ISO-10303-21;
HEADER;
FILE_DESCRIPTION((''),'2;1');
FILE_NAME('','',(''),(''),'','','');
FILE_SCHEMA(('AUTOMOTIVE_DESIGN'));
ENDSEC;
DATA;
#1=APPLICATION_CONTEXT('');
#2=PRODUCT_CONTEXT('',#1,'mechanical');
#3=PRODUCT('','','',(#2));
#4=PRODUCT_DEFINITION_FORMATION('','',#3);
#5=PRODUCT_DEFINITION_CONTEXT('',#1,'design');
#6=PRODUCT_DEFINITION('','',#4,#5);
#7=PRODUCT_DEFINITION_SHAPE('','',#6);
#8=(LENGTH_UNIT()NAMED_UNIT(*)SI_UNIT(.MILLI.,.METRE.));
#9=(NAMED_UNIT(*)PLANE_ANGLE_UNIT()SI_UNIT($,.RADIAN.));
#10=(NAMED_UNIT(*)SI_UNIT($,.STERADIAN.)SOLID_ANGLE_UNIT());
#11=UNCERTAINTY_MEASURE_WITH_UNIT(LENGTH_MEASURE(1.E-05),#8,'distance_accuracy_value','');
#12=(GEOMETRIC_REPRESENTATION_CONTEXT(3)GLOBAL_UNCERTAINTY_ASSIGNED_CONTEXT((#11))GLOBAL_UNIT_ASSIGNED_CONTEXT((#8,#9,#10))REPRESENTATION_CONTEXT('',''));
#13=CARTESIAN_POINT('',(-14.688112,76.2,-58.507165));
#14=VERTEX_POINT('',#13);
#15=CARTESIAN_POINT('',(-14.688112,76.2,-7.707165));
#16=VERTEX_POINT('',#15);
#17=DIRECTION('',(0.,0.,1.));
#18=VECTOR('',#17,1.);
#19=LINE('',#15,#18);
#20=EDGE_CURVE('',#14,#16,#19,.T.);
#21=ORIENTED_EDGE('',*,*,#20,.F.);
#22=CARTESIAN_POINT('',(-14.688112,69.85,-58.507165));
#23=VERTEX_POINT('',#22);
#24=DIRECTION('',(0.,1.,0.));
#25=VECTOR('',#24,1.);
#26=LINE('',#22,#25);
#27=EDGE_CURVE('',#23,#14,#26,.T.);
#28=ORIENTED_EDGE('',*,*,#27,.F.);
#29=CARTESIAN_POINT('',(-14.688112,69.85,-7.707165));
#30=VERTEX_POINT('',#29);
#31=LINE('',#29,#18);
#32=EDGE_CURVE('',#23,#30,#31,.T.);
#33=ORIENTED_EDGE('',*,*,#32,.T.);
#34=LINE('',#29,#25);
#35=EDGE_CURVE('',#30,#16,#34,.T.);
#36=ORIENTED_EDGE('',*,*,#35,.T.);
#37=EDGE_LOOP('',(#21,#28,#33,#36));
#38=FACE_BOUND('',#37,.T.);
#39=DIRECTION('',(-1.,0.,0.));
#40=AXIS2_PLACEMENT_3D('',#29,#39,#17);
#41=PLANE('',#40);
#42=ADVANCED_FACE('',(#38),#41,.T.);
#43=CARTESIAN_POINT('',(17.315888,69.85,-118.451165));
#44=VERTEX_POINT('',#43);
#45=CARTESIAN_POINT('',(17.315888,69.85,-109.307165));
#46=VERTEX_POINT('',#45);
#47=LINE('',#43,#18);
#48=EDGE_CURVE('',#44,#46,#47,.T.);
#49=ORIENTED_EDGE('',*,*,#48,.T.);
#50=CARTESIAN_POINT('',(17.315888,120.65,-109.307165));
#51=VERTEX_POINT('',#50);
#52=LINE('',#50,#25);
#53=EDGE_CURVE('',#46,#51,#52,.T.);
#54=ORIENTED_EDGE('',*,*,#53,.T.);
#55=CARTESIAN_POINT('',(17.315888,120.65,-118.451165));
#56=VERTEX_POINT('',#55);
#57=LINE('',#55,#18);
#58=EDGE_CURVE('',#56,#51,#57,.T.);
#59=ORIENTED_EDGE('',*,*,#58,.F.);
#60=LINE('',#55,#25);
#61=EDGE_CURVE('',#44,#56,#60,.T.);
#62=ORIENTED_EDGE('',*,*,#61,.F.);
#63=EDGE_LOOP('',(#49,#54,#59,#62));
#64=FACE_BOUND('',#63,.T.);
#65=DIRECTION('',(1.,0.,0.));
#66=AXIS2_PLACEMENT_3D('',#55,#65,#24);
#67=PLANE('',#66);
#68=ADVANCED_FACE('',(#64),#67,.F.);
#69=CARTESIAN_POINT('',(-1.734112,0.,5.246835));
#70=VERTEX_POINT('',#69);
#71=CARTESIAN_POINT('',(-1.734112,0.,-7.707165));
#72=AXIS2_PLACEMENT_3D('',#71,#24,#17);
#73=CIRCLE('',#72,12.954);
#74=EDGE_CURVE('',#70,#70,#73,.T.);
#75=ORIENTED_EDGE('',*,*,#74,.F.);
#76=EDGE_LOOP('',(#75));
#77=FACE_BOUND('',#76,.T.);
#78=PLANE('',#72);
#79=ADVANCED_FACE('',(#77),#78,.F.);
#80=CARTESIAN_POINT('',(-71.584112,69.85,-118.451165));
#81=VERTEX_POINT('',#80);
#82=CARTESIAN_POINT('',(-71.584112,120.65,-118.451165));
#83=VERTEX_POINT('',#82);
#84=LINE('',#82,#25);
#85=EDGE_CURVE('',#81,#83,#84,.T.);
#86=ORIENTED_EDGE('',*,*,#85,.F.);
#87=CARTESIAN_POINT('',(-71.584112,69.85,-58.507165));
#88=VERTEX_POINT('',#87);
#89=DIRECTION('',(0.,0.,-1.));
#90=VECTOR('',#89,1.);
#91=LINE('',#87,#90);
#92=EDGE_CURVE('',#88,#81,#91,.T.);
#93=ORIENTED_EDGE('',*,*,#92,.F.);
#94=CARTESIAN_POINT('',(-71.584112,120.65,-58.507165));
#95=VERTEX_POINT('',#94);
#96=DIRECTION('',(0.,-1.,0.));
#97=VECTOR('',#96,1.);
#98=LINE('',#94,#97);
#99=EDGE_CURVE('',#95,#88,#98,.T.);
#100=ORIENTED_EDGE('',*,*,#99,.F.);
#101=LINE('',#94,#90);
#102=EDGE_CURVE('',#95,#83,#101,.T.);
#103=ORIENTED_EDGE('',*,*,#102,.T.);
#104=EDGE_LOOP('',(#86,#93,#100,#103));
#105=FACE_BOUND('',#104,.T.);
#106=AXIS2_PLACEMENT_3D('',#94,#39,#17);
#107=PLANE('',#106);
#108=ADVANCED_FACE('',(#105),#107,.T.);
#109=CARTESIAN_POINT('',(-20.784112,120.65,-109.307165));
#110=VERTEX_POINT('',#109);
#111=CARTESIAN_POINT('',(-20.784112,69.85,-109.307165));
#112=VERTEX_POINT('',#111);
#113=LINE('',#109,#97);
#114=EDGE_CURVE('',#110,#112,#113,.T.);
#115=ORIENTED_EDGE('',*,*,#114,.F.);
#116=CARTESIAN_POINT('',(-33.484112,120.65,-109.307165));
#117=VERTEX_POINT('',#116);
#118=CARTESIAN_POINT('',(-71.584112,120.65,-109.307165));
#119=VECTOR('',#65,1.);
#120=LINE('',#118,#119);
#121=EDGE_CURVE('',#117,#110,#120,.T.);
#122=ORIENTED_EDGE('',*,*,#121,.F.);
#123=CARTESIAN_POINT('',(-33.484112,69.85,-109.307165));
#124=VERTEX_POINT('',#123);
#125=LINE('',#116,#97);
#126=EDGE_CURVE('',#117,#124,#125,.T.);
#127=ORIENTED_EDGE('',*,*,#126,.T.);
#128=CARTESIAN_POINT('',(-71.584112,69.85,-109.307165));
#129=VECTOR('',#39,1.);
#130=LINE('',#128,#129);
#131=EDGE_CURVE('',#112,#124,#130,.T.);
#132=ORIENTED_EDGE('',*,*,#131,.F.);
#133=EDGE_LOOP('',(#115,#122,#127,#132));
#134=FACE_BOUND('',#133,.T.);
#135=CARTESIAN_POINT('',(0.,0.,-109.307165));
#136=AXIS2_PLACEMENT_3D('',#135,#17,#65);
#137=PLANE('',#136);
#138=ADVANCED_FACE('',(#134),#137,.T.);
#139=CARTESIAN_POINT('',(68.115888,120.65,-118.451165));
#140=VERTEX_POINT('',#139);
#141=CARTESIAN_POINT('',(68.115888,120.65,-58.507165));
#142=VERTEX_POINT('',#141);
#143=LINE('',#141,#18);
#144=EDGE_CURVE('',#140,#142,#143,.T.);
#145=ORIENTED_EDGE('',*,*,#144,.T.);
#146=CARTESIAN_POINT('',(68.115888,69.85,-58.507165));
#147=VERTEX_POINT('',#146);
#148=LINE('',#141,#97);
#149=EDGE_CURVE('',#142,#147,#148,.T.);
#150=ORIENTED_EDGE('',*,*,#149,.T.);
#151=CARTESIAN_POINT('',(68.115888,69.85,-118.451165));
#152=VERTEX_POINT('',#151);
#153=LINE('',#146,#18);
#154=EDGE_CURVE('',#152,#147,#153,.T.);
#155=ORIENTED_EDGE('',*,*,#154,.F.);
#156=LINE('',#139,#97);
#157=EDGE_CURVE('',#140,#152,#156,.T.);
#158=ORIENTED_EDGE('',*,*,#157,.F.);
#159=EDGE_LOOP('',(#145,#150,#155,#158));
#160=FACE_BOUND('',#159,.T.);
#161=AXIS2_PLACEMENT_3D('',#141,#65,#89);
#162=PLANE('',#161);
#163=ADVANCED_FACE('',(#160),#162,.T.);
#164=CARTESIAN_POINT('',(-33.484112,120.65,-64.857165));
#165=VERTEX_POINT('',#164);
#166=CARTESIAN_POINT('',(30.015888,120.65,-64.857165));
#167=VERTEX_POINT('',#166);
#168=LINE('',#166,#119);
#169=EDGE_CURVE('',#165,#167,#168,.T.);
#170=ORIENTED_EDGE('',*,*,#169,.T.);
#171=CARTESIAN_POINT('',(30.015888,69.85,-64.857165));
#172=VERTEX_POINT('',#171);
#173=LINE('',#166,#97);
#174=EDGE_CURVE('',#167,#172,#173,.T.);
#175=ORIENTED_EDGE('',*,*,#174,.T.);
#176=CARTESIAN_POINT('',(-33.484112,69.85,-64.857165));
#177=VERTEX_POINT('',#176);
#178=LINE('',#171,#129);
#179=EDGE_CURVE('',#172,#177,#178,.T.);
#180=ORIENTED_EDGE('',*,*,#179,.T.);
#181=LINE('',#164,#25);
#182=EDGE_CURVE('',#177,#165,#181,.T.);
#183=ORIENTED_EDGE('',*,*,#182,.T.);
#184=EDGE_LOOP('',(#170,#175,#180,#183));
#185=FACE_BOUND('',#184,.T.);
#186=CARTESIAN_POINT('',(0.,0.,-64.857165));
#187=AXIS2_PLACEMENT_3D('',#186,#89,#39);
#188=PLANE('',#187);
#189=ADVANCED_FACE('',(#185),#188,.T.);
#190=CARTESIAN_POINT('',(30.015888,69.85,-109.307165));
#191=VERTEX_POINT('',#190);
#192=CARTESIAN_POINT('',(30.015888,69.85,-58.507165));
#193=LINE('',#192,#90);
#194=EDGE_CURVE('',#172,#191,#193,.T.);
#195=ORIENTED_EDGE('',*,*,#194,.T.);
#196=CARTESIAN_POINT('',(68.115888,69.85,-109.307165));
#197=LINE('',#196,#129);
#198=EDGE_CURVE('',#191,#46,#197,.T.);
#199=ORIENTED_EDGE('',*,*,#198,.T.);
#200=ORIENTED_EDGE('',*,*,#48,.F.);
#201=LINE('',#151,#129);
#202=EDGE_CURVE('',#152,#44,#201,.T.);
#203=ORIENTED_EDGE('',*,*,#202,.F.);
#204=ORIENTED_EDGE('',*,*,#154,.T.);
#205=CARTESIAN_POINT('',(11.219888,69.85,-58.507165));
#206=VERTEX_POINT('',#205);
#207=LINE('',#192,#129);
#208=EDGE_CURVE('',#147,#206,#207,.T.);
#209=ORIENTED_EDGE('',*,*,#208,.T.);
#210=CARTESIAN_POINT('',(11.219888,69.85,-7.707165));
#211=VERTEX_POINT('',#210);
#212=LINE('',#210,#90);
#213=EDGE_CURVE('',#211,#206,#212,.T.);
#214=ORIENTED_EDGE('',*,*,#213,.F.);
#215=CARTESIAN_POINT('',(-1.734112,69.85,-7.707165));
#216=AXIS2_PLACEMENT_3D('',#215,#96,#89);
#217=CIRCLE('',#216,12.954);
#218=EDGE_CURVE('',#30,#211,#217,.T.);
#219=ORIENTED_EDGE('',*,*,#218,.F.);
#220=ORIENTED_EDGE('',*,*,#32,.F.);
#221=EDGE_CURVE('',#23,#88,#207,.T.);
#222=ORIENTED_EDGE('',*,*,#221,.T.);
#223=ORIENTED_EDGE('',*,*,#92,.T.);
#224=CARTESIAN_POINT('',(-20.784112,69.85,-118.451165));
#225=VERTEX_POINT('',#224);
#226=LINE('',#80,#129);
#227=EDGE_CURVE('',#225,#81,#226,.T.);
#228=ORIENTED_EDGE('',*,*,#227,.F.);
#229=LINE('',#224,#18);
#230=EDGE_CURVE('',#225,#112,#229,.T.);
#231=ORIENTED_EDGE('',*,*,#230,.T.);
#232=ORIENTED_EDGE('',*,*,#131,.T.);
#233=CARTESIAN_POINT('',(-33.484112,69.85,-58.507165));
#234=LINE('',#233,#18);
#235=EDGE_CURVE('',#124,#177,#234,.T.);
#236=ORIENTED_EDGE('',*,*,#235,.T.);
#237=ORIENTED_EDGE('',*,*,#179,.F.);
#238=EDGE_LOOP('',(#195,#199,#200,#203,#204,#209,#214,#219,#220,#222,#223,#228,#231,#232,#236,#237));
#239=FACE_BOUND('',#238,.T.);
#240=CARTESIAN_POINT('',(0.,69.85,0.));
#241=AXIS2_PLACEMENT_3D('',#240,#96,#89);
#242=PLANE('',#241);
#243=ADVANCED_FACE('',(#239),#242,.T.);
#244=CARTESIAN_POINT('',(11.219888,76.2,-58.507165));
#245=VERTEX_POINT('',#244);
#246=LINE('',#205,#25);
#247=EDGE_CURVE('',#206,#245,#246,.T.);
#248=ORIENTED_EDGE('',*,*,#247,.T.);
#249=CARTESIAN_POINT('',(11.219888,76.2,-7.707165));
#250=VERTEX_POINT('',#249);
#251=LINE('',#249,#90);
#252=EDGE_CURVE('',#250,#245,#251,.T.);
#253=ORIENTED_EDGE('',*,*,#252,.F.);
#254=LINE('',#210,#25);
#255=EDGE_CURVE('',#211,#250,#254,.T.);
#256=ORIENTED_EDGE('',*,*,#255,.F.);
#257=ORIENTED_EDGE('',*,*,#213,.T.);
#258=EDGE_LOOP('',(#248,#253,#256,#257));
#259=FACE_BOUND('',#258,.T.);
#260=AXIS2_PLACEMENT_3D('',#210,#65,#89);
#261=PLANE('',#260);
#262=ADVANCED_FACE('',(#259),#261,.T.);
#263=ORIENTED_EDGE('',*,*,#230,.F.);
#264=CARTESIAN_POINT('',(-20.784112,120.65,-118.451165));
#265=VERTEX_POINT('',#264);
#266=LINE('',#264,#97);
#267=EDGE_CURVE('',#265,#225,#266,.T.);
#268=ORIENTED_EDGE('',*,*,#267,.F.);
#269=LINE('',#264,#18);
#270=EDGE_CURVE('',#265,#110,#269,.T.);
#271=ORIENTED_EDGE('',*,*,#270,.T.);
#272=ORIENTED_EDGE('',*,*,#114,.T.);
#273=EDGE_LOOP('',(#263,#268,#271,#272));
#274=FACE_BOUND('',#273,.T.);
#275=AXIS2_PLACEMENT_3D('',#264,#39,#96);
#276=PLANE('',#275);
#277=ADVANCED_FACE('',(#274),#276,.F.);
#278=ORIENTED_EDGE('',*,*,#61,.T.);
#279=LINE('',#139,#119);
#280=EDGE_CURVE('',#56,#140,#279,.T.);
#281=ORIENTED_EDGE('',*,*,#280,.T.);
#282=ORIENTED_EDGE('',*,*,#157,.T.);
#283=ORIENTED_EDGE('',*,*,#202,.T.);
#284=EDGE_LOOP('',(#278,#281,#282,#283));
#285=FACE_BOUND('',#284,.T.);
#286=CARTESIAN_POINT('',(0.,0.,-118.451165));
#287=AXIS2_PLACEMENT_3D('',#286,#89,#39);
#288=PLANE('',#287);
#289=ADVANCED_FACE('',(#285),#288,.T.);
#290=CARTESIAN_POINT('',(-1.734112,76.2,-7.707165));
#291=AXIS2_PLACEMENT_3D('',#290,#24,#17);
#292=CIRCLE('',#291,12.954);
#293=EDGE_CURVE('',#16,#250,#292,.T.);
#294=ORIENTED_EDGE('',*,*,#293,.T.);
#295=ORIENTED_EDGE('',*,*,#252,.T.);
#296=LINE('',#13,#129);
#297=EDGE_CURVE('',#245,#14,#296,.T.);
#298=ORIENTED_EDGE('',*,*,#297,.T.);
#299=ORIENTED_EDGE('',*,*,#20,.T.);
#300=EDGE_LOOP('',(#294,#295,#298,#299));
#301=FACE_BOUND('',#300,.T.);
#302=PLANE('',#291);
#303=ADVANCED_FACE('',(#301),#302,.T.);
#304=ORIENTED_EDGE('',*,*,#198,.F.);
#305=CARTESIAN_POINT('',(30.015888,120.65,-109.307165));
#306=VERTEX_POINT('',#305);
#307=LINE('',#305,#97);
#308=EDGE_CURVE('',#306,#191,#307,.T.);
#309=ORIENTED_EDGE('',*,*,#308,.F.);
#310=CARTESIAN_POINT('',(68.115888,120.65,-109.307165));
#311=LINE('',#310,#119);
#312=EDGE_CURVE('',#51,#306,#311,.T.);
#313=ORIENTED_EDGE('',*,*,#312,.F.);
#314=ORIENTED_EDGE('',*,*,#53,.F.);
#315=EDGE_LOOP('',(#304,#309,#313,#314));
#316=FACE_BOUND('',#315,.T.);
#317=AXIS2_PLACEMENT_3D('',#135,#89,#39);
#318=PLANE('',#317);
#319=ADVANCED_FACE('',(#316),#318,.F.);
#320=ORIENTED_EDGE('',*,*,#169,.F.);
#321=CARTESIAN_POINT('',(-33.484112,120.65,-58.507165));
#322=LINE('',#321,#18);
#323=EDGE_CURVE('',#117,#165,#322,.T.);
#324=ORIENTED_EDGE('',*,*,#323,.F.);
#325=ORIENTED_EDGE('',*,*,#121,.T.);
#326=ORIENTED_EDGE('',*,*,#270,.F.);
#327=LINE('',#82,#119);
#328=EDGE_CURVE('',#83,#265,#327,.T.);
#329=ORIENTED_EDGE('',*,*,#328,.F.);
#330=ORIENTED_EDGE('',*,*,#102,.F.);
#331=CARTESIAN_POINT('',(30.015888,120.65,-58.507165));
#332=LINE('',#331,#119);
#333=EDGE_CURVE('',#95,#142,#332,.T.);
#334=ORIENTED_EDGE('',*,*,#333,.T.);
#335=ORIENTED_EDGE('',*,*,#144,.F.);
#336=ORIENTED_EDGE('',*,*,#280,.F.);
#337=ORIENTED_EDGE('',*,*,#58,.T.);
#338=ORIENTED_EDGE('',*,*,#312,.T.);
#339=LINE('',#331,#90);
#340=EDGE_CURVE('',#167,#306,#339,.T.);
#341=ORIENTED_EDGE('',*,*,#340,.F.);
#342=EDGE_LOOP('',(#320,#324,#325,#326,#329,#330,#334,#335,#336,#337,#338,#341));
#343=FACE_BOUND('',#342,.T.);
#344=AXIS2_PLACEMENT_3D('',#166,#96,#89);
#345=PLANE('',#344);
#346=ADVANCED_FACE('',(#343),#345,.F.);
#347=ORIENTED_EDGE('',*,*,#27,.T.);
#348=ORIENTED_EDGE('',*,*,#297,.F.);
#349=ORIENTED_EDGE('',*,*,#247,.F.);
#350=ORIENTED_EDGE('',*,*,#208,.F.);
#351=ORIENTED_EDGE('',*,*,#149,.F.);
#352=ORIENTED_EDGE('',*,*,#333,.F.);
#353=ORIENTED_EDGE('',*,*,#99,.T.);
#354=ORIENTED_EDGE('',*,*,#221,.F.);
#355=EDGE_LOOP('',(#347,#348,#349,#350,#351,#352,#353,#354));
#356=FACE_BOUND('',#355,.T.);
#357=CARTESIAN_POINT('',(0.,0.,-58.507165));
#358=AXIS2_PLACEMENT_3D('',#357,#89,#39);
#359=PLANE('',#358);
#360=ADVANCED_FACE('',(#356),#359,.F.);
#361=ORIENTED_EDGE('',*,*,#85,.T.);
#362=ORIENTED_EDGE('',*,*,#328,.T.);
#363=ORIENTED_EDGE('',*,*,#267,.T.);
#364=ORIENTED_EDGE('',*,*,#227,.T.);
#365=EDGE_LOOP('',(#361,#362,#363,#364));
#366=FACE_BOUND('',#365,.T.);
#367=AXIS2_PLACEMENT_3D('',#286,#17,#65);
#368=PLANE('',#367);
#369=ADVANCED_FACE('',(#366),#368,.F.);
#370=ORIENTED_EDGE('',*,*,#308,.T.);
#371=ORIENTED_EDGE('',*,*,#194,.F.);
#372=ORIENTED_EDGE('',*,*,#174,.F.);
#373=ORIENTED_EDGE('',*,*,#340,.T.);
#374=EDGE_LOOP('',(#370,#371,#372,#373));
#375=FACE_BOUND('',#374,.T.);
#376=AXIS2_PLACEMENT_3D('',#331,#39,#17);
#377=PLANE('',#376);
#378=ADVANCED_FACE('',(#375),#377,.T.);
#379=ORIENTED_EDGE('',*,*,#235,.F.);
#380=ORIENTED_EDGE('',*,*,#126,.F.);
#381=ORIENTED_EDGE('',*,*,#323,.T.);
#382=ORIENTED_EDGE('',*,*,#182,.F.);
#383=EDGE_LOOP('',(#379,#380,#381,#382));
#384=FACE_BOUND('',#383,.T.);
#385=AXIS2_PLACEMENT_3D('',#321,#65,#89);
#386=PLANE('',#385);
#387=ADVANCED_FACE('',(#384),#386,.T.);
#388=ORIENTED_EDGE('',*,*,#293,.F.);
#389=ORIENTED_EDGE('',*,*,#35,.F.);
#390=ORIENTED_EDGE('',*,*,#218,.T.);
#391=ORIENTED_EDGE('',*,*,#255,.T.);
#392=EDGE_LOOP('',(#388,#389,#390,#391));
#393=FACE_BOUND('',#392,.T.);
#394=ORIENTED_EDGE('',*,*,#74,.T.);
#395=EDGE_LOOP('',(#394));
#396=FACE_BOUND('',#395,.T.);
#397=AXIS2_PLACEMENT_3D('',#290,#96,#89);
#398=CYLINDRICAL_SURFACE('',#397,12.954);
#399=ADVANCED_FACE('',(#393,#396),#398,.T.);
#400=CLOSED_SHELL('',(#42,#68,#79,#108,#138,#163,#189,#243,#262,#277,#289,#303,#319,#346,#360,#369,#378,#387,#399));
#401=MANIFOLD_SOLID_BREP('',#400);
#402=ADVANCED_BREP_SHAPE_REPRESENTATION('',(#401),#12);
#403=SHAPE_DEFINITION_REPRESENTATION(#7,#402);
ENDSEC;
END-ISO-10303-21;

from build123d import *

# Parameters (mm, degrees)
SKETCH1_R           = 12.954
BOSS_EXTRUDE1_DEPTH = 76.2
SKETCH3_W           = 25.908
SKETCH3_H           = 50.8
BOSS_EXTRUDE3_DEPTH = 6.35
SKETCH7_W           = 63.5
SKETCH7_H           = 50.8
BOSS_EXTRUDE4_DEPTH = 6.35
SKETCH10_W          = 38.1
SKETCH10_H          = 50.8
BOSS_EXTRUDE6_DEPTH = 50.8
SKETCH11_W          = 50.8
SKETCH11_H          = 50.8
BOSS_EXTRUDE7_DEPTH = 9.144


with BuildPart() as part:
    # Sketch1 → Boss-Extrude1 (new body)
    with BuildSketch(Plane(origin=(0, 0, 0), x_dir=(1, 0, 0), z_dir=(0, 1, 0))):
        with Locations(Location((-1.734112165, 7.707165176, 0), (0, 0, 90))):
            Circle(SKETCH1_R)
    extrude(amount=BOSS_EXTRUDE1_DEPTH)

    # Sketch3 → Boss-Extrude3 (add)
    with BuildSketch(Plane(origin=(0, 76.2, 0), x_dir=(1, 0, 0), z_dir=(0, 1, 0))):
        with Locations((-1.734112165, 33.107165176)):
            Rectangle(SKETCH3_W, SKETCH3_H)
    extrude(amount=-BOSS_EXTRUDE3_DEPTH)

    # Sketch7 → Boss-Extrude4 (add)
    with BuildSketch(Plane(origin=(0, 0, -58.507165176), x_dir=(-1, 0, 0), z_dir=(0, 0, -1))):
        with Locations((1.734112165, 95.25)):
            Rectangle(SKETCH7_W, SKETCH7_H)
    extrude(amount=BOSS_EXTRUDE4_DEPTH)

    # Sketch10 → Boss-Extrude6 (add)
    with BuildSketch(Plane.XZ.offset(-69.85)):
        with Locations((-52.534112165, -83.907165176)):
            Rectangle(SKETCH10_W, SKETCH10_H)
        with Locations((49.065887835, -83.907165176)):
            Rectangle(SKETCH10_W, SKETCH10_H)
    extrude(amount=-BOSS_EXTRUDE6_DEPTH)

    # Sketch11 → Boss-Extrude7 (add)
    with BuildSketch(Plane(origin=(0, 0, -109.307165176), x_dir=(-1, 0, 0), z_dir=(0, 0, -1))):
        with Locations((-42.715887835, 95.25)):
            Rectangle(SKETCH11_W, SKETCH11_H)
        with Locations((46.184112165, 95.25)):
            Rectangle(SKETCH11_W, SKETCH11_H)
    extrude(amount=BOSS_EXTRUDE7_DEPTH)


solid = part.part
